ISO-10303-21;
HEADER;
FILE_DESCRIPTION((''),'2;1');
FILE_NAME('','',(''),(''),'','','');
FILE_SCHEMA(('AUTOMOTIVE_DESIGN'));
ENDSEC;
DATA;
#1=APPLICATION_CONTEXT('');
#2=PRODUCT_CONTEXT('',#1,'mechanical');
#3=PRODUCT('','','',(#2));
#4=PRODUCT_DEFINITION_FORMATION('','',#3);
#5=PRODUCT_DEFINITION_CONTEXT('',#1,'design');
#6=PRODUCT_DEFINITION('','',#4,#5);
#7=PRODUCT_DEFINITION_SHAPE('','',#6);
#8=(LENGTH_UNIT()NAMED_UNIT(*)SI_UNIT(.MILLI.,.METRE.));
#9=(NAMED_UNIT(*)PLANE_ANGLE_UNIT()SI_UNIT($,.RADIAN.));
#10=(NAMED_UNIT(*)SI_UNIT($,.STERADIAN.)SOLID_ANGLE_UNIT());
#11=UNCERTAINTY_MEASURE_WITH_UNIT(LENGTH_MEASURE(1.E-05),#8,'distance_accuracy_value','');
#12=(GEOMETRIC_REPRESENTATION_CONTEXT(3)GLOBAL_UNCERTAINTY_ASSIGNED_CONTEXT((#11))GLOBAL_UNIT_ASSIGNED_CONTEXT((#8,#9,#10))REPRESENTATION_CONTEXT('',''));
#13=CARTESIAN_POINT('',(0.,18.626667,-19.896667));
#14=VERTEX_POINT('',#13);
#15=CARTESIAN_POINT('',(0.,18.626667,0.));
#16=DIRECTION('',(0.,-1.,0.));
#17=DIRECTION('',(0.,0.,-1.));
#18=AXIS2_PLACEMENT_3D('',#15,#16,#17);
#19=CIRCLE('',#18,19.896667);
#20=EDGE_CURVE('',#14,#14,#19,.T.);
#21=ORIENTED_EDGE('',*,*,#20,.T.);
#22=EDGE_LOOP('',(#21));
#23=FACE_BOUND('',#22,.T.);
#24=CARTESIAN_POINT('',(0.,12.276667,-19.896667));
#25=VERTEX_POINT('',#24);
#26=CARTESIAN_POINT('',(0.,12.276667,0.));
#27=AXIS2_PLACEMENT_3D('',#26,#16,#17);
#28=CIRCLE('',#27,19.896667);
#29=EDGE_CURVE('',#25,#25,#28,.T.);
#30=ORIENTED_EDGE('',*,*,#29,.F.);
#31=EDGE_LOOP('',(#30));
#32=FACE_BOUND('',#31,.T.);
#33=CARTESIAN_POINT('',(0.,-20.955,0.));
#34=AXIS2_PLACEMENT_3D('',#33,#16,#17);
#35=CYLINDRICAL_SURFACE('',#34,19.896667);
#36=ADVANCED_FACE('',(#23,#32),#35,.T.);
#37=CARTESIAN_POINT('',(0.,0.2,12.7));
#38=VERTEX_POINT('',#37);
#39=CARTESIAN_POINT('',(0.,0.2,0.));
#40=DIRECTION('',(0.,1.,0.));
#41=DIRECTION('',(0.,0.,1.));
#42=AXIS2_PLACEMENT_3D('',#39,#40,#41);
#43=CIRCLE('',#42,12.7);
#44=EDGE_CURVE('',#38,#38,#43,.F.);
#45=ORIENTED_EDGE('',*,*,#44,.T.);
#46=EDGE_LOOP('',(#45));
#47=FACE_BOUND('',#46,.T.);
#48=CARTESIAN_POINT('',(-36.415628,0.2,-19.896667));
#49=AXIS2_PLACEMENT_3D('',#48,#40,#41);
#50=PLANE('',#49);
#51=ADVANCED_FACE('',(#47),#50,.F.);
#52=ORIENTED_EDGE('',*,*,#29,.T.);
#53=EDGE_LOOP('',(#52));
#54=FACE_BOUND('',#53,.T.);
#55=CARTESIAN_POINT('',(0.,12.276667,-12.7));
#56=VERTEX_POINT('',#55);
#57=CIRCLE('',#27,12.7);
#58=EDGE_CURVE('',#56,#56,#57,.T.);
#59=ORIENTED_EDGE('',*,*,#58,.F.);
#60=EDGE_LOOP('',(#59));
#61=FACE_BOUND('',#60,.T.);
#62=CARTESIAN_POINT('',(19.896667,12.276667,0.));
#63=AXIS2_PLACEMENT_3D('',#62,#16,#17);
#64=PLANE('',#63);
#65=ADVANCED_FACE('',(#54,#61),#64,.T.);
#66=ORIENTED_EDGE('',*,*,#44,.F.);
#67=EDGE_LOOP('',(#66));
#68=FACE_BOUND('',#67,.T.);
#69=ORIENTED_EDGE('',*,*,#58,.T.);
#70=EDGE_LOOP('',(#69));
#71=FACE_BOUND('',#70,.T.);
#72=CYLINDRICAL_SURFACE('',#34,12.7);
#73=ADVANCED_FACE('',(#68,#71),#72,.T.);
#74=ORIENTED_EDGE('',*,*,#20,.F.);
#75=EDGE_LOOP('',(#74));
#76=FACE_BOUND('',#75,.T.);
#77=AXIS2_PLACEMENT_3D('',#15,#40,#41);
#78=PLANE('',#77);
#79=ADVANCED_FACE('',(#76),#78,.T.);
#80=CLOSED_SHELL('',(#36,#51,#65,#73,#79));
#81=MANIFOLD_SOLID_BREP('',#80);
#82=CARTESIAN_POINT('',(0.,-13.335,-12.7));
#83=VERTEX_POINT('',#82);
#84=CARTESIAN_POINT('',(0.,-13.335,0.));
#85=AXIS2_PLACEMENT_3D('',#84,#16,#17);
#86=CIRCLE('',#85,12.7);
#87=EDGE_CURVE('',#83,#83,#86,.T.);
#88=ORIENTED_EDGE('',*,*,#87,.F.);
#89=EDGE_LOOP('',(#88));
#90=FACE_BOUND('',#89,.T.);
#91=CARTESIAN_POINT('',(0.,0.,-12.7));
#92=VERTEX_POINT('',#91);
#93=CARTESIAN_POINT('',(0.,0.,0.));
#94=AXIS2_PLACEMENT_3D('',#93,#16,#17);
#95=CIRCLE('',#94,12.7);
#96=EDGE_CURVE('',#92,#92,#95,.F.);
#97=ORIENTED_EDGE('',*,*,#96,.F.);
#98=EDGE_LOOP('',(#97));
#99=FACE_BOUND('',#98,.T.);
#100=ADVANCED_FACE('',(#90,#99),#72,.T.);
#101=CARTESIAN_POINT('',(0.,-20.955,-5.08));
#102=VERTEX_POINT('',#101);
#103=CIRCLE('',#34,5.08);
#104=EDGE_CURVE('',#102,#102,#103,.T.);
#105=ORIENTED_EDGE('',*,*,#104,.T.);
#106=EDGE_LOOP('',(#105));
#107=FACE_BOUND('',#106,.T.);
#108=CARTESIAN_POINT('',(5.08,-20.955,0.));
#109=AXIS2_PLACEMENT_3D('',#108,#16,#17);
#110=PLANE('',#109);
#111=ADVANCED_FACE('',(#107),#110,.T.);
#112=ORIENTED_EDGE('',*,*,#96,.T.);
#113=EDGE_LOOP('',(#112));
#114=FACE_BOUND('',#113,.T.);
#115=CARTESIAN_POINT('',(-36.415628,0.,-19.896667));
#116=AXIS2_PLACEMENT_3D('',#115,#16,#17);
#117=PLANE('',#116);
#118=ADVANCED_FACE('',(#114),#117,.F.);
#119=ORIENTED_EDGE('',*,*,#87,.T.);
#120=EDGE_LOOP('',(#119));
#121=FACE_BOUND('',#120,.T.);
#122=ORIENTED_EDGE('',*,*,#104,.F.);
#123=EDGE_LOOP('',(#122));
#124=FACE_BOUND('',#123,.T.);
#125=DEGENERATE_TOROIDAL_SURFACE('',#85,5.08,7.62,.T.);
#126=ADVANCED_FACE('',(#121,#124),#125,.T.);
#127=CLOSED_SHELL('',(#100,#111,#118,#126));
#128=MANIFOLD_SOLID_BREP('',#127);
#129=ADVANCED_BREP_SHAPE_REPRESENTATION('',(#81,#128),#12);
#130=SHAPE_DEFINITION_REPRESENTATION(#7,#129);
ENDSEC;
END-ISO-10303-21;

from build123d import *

# Parameters (mm, degrees)
CUT_EXTRUDE1_DEPTH      = 36.083710153
CUT_EXTRUDE1_DEPTH_BACK = 36.083710153
SKETCH2_W               = 72.831256038
SKETCH2_H               = 0.2


with BuildPart() as part:
    # Sketch1 → Revolve1 (revolve)
    with BuildSketch(Plane.XY, mode=Mode.PRIVATE) as revolve1_sk:
        with BuildLine():
            Line((0, 18.626666667), (19.896666667, 18.626666667))
            Line((19.896666667, 18.626666667), (19.896666667, 12.276666667))
            Line((19.896666667, 12.276666667), (12.7, 12.276666667))
            Line((12.7, 12.276666667), (12.7, -13.335))
            ThreePointArc((12.7, -13.335), (10.468153673, -18.723153673), (5.08, -20.955))
            Line((5.08, -20.955), (0, -20.955))
            Line((0, -20.955), (0, 18.626666667))
        make_face()
    revolve(revolve1_sk.sketch.rotate(Axis((0, -20.955, 0), (0, 1, 0)), 90), axis=Axis((0, -20.955, 0), (0, 1, 0)))

    # Sketch2 → Cut-Extrude1 (cut, two sides: drawn at the far end of the back side and taken through both)
    with BuildSketch(Plane.XY.offset(-CUT_EXTRUDE1_DEPTH_BACK)):
        with Locations((0, 0.1)):
            Rectangle(SKETCH2_W, SKETCH2_H)
    extrude(amount=CUT_EXTRUDE1_DEPTH + CUT_EXTRUDE1_DEPTH_BACK, mode=Mode.SUBTRACT)


with BuildPart() as cut_extrude1_piece_1:
    # of the separate pieces the step leaves, piece 1, a body of its own (cut_extrude1_pieces)
    add(part.part.solids().sort_by_distance((0, 12.276666667, -12.7))[0])


with BuildPart() as cut_extrude1_piece_2:
    # of the separate pieces the step leaves, piece 2, a body of its own (cut_extrude1_pieces)
    add(part.part.solids().sort_by_distance((0, -20.955, -5.08))[0])


solid = Compound([cut_extrude1_piece_1.part, cut_extrude1_piece_2.part])
